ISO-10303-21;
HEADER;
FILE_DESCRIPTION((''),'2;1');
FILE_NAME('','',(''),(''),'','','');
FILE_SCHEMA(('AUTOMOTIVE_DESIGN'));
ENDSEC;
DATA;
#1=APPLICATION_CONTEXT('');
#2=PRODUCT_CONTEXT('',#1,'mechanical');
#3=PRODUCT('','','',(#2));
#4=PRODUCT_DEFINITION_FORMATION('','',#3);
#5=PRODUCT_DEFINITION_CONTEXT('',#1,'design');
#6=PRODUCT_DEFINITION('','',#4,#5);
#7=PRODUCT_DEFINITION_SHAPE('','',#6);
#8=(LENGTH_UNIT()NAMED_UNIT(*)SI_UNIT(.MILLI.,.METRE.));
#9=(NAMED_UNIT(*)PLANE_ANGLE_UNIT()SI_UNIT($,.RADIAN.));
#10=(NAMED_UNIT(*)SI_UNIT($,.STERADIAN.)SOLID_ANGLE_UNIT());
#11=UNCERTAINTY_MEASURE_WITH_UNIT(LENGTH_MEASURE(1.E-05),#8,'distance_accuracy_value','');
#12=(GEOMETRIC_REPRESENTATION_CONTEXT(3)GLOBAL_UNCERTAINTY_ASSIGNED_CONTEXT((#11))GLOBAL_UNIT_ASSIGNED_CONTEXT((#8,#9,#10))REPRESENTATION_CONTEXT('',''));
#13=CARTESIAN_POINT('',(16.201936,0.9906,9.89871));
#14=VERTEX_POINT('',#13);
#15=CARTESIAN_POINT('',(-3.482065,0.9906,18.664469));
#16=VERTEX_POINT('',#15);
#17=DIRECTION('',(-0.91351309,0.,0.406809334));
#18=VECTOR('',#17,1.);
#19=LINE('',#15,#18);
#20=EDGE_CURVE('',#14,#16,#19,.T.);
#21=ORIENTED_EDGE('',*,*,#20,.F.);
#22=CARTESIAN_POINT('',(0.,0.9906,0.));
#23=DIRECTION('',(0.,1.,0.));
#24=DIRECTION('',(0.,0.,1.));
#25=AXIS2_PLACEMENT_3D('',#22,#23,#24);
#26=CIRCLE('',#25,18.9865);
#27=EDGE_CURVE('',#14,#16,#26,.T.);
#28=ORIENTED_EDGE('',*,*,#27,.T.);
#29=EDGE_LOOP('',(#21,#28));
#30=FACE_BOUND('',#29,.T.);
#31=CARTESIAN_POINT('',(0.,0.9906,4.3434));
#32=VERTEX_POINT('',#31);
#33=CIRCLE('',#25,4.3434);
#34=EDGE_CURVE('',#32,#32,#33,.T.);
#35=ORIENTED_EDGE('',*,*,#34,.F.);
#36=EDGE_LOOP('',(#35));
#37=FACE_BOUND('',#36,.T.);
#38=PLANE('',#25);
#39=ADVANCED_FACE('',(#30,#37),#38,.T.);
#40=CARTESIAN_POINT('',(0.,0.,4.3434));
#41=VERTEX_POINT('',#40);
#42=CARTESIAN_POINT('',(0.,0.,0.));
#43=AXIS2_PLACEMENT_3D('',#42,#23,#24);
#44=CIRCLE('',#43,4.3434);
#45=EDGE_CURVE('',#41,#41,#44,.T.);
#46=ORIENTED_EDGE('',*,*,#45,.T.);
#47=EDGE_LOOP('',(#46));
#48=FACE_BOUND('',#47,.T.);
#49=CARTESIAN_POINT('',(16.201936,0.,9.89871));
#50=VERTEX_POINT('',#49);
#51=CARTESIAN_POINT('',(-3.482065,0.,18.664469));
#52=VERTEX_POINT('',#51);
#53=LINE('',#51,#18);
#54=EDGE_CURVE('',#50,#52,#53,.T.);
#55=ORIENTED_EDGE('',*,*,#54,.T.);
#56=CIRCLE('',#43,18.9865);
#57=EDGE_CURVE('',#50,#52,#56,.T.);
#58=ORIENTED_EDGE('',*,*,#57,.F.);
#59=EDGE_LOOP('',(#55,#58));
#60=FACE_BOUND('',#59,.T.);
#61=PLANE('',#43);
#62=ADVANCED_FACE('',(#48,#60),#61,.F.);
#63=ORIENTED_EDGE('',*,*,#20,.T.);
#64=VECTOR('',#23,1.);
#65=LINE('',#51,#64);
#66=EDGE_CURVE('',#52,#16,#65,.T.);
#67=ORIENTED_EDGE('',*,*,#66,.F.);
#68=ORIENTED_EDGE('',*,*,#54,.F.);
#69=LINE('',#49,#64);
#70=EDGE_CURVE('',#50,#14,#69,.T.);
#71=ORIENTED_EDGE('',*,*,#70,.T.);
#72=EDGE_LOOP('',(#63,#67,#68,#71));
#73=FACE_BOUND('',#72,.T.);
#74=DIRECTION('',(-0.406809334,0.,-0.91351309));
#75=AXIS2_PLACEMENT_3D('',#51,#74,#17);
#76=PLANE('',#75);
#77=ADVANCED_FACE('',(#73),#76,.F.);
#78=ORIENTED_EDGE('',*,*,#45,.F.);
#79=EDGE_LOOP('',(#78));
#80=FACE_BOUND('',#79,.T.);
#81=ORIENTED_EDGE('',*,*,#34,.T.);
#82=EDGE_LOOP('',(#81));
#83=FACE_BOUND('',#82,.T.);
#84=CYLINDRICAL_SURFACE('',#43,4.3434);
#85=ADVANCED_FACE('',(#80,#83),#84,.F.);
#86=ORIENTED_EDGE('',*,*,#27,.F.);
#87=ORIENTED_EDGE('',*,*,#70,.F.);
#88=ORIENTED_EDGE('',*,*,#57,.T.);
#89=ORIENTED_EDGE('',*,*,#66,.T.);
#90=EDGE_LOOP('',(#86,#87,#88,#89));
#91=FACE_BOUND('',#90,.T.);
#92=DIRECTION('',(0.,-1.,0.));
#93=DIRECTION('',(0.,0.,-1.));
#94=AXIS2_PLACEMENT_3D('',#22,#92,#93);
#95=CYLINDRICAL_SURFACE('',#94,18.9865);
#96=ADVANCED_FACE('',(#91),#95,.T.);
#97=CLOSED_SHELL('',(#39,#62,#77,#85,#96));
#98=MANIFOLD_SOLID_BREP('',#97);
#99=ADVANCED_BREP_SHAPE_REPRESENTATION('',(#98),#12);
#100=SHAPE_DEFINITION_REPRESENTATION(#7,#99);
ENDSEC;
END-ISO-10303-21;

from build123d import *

# Parameters (mm, degrees)
SKETCH5_R           = 18.9865
BOSS_EXTRUDE3_DEPTH = 0.9906
SKETCH6_R           = 4.3434
CUT_EXTRUDE2_DEPTH  = 27.869232458
CUT_EXTRUDE3_DEPTH  = 27.869232458


with BuildPart() as part:
    # Sketch5 → Boss-Extrude3 (new body)
    with BuildSketch(Plane(origin=(0, 0, 0), x_dir=(1, 0, 0), z_dir=(0, 1, 0))):
        with Locations(Location((0, 0, 0), (0, 0, 270))):
            Circle(SKETCH5_R)
    extrude(amount=BOSS_EXTRUDE3_DEPTH)

    # Sketch6 → Cut-Extrude2 (cut, through all)
    with BuildSketch(Plane(origin=(0, 0.9906, 0), x_dir=(1, 0, 0), z_dir=(0, 1, 0))):
        with Locations(Location((0, 0, 0), (0, 0, 270))):
            Circle(SKETCH6_R)
    extrude(amount=-CUT_EXTRUDE2_DEPTH, mode=Mode.SUBTRACT)

    # Sketch7 → Cut-Extrude3 (cut, through all)
    with BuildSketch(Plane(origin=(0, 0.9906, 0), x_dir=(1, 0, 0), z_dir=(0, 1, 0))):
        with BuildLine():
            Line((-3.48206546, -18.664468982), (16.20193564, -9.898710207))
            ThreePointArc((16.20193564, -9.898710207), (7.723885426, -17.344416282), (-3.48206546, -18.664468982))
        make_face()
    extrude(amount=-CUT_EXTRUDE3_DEPTH, mode=Mode.SUBTRACT)


solid = part.part
